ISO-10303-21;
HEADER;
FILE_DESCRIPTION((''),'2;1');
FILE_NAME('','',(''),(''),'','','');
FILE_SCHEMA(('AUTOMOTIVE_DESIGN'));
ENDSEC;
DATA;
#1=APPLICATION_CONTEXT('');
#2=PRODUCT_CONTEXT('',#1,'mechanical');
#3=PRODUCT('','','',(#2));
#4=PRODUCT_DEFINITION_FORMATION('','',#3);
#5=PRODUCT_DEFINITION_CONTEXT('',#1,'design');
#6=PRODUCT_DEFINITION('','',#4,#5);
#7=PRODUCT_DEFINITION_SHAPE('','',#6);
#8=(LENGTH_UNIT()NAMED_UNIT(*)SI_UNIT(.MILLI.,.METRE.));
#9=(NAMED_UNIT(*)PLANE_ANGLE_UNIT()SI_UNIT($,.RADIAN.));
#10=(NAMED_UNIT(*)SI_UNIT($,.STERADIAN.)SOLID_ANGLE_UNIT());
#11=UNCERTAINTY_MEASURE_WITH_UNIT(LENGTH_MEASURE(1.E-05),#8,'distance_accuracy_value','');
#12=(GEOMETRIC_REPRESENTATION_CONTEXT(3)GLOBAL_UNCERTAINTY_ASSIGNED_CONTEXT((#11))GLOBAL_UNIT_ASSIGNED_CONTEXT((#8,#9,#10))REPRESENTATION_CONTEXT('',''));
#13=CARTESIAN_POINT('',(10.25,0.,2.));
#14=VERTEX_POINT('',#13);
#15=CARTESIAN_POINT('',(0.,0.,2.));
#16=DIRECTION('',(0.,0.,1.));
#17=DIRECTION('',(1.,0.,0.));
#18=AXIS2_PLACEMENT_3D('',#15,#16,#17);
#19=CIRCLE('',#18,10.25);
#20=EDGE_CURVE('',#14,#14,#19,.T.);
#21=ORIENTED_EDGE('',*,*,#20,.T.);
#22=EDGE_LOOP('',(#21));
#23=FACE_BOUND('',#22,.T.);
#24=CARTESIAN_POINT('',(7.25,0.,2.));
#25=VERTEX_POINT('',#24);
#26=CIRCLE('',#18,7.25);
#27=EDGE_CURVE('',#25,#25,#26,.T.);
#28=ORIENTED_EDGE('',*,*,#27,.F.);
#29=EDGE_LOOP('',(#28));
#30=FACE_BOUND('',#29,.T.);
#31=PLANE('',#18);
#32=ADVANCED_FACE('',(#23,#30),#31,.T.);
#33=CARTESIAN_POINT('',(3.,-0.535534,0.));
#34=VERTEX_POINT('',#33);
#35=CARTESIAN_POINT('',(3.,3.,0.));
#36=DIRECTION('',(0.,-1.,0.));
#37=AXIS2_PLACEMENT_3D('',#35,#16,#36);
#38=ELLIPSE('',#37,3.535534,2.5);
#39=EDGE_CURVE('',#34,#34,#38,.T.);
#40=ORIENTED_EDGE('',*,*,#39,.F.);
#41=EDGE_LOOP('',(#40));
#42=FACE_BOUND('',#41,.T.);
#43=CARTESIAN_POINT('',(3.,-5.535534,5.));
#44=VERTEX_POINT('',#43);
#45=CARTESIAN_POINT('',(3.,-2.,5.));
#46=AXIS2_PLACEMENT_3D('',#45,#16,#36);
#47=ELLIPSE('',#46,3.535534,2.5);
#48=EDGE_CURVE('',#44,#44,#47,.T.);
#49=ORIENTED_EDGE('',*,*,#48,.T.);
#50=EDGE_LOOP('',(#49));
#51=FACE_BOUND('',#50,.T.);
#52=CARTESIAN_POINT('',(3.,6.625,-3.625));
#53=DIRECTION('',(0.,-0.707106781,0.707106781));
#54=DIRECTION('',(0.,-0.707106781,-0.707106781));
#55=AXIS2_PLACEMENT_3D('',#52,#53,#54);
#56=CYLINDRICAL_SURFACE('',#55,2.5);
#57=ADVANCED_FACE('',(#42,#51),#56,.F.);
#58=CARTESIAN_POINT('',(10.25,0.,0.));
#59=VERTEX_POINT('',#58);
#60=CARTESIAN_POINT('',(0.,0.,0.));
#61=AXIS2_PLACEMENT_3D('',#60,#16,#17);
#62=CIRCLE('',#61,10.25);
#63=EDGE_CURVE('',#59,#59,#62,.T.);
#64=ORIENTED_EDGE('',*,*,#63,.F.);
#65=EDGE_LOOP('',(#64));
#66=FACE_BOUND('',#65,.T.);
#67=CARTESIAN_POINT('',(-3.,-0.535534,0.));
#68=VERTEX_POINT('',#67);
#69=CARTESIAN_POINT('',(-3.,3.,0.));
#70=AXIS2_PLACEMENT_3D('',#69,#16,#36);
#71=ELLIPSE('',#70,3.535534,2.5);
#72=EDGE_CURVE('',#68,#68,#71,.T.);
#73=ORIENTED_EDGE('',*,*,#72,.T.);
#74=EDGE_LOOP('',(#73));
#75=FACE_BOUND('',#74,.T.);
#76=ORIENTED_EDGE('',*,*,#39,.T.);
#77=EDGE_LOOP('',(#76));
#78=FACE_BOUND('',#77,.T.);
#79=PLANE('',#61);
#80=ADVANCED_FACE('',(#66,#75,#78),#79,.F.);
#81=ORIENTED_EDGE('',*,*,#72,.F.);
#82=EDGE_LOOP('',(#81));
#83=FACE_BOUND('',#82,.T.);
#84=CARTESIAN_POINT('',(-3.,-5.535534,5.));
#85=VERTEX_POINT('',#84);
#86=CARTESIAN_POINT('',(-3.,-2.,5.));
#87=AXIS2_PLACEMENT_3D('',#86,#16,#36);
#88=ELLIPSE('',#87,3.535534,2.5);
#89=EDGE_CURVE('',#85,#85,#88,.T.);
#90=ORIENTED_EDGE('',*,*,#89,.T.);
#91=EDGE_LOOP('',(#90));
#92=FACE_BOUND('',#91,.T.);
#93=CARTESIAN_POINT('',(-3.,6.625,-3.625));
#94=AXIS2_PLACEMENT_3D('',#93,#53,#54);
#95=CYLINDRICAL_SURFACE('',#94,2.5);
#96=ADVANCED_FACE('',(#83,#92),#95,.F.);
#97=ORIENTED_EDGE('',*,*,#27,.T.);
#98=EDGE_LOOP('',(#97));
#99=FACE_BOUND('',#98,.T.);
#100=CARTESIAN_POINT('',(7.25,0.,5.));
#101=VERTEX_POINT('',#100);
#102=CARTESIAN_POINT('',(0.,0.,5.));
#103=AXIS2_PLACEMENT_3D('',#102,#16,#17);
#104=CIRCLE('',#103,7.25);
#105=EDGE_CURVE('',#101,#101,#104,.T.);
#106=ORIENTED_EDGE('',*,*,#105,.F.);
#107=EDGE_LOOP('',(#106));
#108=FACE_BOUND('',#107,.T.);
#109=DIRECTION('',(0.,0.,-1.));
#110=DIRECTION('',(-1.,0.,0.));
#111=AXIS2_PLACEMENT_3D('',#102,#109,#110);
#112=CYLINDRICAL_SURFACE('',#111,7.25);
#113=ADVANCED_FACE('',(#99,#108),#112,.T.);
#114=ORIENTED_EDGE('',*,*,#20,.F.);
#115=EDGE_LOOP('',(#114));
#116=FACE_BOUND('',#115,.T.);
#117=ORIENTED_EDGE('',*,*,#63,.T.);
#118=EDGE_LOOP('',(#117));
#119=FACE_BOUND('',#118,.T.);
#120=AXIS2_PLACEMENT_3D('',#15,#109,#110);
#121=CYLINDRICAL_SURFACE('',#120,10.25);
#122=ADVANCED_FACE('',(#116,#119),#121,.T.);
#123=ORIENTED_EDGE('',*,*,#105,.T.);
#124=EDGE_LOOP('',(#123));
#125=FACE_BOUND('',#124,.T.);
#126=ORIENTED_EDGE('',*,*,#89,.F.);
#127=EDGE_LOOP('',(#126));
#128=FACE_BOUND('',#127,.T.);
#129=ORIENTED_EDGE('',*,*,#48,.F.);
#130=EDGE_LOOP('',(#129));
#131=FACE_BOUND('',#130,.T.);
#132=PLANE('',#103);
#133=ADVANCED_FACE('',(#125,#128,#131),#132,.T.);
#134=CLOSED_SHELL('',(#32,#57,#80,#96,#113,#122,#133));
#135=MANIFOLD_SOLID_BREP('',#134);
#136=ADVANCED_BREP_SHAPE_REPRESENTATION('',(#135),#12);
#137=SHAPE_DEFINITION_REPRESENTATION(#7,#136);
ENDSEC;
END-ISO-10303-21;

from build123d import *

# Parameters (mm, degrees)
OUTER_SKETCH_R                = 10.25
OUTER_DEPTH                   = 2
INNER_SKETCH_R                = 7.25
INNER_DEPTH                   = 3
ODEBRAT_VYSUNUT_M2_DEPTH      = 15.746272134
ODEBRAT_VYSUNUT_M2_DEPTH_BACK = 15.746272134
SKICA8_R                      = 2.5


with BuildPart() as part:
    # Outer sketch → Outer (new body)
    with BuildSketch(Plane.XY):
        Circle(OUTER_SKETCH_R)
    extrude(amount=OUTER_DEPTH)

    # Inner sketch → Inner (add)
    with BuildSketch(Plane.XY.offset(2)):
        Circle(INNER_SKETCH_R)
    extrude(amount=INNER_DEPTH)

    # Skica8 → Odebrat vysunutím2 (cut, two sides: drawn at the far end of the back side and taken through both)
    with BuildSketch(Plane(origin=(0, -0.042117416, 2.457882584), x_dir=(1, 0, 0), z_dir=(0, -0.7071067811865476, 0.7071067811865476)).offset(-ODEBRAT_VYSUNUT_M2_DEPTH_BACK)):
        with Locations(Location((-3, 0.413116411, 0), (0, 0, 270))):
            Circle(SKICA8_R)
        with Locations(Location((3, 0.413116411, 0), (0, 0, 270))):
            Circle(SKICA8_R)
    extrude(amount=ODEBRAT_VYSUNUT_M2_DEPTH + ODEBRAT_VYSUNUT_M2_DEPTH_BACK, mode=Mode.SUBTRACT)


solid = part.part
